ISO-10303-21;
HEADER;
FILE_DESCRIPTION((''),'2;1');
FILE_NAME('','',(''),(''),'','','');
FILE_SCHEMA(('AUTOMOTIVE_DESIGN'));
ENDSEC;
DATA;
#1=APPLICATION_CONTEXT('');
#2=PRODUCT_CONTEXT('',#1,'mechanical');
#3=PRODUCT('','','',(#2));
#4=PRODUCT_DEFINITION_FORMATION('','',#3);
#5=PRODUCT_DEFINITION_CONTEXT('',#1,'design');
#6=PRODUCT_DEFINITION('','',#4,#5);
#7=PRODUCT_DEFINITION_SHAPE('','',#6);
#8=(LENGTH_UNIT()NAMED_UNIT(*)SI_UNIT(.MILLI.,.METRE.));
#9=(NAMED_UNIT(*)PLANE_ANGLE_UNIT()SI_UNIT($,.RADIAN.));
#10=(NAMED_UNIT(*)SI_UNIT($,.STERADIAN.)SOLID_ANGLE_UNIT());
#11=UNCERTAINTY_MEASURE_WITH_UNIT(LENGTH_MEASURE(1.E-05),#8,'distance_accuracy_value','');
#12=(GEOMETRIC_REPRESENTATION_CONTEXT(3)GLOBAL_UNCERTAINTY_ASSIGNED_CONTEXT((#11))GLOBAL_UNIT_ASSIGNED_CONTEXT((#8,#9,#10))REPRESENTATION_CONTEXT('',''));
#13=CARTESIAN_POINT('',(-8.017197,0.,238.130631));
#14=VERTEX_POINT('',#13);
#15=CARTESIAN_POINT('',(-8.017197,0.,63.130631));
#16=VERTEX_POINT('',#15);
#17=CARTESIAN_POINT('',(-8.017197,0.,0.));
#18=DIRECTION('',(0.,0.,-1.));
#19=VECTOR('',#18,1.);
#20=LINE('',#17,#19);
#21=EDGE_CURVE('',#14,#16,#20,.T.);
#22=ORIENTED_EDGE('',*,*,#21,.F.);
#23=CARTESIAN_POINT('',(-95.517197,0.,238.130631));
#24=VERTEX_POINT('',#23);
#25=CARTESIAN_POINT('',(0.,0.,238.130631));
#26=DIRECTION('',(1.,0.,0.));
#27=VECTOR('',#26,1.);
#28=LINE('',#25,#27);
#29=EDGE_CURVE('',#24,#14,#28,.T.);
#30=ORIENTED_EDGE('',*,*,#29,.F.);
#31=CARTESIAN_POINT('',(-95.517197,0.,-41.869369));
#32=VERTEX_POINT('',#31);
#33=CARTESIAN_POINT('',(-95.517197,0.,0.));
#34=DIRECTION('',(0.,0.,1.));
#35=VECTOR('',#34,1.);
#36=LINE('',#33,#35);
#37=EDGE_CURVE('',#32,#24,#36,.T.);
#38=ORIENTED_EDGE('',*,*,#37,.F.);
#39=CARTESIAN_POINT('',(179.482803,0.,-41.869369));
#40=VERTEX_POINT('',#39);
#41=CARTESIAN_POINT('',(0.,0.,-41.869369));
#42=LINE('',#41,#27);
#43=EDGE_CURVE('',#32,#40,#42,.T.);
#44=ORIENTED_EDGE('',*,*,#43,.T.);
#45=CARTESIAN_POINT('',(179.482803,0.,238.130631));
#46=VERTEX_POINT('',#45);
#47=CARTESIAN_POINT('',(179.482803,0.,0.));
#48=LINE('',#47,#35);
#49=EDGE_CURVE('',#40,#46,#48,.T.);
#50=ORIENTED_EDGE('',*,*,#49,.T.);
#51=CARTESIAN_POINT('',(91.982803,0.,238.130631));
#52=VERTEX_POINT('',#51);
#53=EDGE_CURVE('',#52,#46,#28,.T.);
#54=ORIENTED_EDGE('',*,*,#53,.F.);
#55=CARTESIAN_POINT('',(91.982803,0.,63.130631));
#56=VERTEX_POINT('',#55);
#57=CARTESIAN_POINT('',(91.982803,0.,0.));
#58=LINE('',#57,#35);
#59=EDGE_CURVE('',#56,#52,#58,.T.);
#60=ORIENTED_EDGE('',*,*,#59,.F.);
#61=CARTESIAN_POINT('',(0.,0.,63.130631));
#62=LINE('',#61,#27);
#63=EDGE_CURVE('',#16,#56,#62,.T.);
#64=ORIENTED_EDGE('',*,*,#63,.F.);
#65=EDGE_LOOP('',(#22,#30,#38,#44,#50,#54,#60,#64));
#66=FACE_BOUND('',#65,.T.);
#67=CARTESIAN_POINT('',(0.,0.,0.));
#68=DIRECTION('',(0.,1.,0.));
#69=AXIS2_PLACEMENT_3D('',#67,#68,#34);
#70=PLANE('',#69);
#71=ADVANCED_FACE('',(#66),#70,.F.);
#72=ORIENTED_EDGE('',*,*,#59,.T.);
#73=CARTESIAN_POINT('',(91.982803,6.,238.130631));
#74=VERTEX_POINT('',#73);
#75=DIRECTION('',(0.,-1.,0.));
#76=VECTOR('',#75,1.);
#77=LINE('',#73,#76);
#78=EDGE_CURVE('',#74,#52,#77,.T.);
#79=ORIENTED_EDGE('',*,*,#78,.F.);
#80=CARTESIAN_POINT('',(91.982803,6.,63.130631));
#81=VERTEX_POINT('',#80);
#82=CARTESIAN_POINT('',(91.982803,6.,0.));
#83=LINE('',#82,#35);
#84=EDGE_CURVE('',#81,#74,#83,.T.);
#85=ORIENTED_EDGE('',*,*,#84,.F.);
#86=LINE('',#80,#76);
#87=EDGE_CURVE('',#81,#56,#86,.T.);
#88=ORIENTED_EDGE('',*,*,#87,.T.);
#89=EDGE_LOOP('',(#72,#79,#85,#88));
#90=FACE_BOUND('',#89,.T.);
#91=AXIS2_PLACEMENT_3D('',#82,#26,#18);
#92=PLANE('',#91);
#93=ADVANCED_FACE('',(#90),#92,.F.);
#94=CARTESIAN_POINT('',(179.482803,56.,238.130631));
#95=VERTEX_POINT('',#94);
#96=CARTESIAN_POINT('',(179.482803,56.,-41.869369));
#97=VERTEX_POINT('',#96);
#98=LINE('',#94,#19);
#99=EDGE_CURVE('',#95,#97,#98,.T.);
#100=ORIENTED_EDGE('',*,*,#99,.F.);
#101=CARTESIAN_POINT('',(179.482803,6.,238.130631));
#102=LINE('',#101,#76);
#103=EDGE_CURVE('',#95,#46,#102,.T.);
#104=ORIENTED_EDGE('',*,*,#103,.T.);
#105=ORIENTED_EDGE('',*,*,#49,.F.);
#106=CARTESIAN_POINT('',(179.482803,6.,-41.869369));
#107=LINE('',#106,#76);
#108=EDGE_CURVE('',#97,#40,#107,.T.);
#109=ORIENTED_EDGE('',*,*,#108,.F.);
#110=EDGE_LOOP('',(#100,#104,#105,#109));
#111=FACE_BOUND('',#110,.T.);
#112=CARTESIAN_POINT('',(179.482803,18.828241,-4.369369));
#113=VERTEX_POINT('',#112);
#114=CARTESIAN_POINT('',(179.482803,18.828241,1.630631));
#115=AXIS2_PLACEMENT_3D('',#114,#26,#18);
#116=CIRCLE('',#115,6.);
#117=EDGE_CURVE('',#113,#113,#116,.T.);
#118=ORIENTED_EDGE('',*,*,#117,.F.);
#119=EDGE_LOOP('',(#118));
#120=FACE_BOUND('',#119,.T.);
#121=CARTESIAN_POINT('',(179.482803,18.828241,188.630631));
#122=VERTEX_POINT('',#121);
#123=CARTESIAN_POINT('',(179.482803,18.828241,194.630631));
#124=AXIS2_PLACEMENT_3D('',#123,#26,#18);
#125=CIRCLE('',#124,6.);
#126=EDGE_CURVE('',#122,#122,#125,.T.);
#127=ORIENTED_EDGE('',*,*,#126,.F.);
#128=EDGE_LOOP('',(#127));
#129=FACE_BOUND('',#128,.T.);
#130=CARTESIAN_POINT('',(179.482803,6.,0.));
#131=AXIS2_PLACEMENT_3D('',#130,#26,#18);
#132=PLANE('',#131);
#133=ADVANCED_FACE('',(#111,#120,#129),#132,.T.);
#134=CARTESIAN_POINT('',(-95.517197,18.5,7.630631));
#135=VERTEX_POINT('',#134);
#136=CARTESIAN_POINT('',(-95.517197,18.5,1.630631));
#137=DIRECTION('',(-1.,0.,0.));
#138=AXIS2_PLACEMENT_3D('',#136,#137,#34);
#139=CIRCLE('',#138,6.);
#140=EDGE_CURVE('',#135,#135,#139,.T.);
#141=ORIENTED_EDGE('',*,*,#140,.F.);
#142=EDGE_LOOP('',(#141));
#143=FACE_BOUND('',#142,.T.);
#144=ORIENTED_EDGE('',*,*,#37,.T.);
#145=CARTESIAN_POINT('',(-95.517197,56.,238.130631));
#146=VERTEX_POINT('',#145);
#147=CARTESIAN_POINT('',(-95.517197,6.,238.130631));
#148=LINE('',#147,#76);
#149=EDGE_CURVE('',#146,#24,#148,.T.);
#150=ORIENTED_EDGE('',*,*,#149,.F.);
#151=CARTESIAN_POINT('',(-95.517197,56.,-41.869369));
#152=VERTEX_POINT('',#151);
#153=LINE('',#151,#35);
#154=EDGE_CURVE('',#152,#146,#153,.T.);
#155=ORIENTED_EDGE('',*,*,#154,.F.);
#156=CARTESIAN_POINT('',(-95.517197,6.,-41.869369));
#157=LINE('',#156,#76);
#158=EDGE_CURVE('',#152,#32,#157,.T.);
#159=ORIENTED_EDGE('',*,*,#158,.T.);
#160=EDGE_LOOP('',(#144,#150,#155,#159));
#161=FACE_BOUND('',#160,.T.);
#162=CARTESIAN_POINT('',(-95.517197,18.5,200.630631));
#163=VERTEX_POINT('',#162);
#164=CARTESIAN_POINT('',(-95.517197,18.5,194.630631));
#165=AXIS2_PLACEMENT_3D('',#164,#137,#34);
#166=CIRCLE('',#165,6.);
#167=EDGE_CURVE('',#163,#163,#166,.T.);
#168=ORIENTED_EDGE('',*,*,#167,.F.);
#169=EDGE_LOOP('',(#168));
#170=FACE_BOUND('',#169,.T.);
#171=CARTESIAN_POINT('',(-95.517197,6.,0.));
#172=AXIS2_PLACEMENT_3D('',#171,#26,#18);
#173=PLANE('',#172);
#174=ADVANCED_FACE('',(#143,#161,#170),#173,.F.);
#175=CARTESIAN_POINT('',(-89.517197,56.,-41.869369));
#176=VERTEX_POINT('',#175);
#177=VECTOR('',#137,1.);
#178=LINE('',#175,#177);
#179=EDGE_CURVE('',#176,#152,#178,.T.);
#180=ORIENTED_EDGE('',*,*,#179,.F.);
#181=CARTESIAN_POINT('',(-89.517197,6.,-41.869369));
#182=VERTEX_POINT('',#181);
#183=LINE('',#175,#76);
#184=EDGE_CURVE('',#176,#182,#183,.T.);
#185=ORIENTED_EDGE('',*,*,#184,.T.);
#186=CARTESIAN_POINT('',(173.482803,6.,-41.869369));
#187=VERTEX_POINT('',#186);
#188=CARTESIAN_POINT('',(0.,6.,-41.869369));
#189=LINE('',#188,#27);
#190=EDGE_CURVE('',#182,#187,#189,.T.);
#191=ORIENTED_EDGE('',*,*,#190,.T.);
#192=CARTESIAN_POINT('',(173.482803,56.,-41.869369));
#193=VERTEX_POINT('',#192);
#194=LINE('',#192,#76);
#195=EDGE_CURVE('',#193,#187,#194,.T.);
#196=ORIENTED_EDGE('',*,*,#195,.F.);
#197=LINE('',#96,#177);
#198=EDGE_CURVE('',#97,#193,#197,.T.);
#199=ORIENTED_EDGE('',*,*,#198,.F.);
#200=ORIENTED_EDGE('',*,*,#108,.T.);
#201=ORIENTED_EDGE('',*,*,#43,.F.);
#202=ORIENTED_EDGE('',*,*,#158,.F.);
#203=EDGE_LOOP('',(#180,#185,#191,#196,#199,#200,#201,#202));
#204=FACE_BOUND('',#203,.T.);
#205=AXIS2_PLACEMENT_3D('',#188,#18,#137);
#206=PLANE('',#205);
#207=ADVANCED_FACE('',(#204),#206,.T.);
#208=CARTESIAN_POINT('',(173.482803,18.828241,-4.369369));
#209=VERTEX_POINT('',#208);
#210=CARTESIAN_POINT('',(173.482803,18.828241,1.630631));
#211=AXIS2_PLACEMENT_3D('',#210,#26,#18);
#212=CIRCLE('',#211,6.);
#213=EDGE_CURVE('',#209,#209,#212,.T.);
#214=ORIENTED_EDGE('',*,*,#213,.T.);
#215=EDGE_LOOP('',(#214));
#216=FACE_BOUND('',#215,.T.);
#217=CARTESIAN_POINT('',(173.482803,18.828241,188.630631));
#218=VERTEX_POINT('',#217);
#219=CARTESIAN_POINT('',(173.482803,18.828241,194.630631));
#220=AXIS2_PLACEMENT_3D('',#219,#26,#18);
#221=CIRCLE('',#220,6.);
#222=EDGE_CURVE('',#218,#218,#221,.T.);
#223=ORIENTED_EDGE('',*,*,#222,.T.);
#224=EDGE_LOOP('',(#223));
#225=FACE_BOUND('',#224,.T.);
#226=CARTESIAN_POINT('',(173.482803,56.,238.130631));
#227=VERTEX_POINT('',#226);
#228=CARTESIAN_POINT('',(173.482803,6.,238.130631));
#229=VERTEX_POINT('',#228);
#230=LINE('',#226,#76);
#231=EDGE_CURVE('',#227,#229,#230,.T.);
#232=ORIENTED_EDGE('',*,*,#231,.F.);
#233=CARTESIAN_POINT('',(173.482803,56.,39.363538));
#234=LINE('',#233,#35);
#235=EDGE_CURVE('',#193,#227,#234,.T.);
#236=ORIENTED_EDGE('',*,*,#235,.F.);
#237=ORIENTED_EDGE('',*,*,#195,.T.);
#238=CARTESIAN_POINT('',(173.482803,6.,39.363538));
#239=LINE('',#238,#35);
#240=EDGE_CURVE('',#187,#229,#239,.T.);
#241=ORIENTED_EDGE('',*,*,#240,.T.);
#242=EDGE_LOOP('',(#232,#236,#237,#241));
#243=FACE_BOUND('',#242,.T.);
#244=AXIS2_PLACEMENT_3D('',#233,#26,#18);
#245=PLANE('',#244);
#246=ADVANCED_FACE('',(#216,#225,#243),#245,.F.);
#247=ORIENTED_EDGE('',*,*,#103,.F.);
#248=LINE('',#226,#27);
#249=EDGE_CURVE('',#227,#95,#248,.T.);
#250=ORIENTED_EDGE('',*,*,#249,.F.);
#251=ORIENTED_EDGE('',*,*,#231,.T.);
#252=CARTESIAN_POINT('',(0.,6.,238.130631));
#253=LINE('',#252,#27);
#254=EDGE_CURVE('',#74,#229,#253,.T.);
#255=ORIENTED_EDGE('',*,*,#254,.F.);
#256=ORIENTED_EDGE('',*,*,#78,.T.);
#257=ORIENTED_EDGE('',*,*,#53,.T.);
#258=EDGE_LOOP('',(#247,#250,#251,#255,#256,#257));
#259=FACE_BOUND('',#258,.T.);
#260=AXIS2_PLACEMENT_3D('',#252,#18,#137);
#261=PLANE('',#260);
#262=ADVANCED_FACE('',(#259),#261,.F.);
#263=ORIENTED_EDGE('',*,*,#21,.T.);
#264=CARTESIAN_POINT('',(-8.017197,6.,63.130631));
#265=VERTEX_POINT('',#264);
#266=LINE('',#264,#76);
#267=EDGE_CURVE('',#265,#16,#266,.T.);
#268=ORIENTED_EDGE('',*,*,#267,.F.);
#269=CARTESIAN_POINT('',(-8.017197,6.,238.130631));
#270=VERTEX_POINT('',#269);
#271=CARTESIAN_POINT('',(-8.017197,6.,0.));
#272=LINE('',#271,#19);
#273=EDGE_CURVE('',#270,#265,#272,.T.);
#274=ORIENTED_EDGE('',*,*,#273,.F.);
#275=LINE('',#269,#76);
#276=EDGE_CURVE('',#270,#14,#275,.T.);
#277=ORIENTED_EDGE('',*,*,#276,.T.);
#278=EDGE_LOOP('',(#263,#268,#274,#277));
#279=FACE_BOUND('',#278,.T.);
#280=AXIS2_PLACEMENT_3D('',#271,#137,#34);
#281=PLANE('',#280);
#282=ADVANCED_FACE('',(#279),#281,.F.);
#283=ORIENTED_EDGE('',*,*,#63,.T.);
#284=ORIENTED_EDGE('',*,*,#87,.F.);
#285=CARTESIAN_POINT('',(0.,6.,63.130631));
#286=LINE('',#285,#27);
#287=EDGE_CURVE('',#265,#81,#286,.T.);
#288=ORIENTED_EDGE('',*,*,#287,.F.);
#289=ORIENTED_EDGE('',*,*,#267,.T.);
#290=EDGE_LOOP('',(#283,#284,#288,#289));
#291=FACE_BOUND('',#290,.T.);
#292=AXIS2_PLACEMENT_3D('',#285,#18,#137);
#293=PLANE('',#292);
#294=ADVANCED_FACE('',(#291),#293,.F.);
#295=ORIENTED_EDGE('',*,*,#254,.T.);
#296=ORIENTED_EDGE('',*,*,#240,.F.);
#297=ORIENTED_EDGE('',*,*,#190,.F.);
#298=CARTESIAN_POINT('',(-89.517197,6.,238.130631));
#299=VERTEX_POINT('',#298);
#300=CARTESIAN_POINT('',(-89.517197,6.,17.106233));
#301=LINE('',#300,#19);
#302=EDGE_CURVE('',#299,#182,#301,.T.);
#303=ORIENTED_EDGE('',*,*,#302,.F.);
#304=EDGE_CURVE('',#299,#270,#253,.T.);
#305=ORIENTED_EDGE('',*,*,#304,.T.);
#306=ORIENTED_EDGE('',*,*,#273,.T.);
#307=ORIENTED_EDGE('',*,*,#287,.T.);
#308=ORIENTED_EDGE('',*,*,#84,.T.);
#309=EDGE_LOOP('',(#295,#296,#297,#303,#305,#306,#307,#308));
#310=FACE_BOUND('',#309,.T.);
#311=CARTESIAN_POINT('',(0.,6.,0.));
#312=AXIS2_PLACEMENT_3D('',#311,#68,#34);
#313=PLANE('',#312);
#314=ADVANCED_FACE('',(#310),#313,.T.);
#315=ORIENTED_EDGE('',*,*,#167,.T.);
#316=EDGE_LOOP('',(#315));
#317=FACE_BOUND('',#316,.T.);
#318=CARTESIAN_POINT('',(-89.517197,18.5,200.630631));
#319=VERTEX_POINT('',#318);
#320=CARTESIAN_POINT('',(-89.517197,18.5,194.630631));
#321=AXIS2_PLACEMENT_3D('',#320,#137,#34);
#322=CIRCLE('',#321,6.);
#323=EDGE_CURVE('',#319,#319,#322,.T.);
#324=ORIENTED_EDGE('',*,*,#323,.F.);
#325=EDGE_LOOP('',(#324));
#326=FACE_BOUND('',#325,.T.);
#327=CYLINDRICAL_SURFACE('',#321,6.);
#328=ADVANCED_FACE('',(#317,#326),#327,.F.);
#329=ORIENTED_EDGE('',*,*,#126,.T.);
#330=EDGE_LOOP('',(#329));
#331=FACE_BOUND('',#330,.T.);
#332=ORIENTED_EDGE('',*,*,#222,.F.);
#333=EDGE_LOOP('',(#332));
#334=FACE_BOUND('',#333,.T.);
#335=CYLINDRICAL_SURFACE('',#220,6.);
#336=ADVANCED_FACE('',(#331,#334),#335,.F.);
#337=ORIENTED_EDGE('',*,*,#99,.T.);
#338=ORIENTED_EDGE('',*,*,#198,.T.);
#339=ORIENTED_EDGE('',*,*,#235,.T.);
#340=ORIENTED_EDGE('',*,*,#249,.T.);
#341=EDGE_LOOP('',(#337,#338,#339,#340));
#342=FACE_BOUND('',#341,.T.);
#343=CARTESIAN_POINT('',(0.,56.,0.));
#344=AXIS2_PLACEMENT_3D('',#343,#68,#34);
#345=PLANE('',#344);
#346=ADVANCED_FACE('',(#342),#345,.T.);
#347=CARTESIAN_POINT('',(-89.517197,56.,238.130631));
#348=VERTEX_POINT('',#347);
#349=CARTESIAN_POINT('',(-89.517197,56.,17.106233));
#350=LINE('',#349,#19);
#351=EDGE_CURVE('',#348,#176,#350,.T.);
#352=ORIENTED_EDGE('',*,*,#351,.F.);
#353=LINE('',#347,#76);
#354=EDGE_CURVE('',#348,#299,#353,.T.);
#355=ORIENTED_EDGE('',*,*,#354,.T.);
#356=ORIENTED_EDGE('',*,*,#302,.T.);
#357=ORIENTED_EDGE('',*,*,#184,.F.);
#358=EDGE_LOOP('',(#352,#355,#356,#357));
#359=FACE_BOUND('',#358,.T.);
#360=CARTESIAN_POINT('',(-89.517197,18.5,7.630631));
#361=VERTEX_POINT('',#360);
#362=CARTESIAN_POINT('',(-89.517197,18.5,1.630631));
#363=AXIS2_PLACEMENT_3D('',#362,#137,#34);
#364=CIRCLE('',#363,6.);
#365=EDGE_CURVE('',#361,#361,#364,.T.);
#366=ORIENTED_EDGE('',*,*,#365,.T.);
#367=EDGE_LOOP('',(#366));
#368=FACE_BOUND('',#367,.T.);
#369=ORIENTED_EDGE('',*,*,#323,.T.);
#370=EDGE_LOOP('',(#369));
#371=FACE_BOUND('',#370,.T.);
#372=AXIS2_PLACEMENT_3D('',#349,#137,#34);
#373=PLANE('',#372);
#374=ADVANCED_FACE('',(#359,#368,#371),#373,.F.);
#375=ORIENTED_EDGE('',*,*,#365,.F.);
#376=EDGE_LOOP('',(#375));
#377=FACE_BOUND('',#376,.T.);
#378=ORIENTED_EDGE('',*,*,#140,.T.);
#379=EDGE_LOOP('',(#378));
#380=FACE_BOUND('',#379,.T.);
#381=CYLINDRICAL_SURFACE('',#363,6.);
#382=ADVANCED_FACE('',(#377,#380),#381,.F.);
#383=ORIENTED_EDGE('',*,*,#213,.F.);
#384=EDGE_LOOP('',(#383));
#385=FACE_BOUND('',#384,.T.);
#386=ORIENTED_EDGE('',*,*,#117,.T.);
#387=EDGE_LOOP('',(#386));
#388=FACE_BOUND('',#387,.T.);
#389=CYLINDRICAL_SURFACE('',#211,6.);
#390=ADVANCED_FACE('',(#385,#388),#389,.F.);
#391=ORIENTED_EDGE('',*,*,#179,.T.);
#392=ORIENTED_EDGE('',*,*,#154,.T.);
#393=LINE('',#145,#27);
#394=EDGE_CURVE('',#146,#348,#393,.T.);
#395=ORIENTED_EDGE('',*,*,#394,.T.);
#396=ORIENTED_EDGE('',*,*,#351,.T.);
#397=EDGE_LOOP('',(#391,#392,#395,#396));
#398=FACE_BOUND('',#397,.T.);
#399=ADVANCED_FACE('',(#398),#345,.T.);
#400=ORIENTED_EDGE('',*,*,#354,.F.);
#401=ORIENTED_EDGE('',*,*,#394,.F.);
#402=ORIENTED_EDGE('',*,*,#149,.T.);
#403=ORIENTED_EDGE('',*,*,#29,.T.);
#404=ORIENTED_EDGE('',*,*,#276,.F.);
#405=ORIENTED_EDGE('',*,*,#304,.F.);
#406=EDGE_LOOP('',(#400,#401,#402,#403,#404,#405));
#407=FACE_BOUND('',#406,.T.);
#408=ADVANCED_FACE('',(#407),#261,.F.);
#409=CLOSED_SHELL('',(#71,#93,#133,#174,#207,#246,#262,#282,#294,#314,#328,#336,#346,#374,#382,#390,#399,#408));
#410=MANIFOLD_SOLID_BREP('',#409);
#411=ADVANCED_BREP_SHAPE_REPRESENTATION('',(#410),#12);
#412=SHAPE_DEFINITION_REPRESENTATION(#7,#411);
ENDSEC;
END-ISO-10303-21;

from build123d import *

# Parameters (mm, degrees)
BOSS_EXTRUDE3_DEPTH = 6
BOSS_EXTRUDE5_DEPTH = 50
BOSS_EXTRUDE6_DEPTH = 50
SKETCH4_R           = 6
CUT_EXTRUDE1_DEPTH  = 6
SKETCH5_R           = 6
CUT_EXTRUDE2_DEPTH  = 6


with BuildPart() as part:
    # Sketch1 → Boss-Extrude3 (new body)
    with BuildSketch(Plane(origin=(0, 0, 0), x_dir=(1, 0, 0), z_dir=(0, 1, 0))):
        Polygon((-8.017197152, -238.130630631), (-8.017197152, -204.926643474), (-8.017197152, -63.130630631), (91.982802848, -63.130630631), (91.982802848, -238.130630631), (179.482802848, -238.130630631), (179.482802848, 41.869369369), (-95.517197152, 41.869369369), (-95.517197152, -238.130630631), align=None)
    extrude(amount=BOSS_EXTRUDE3_DEPTH)

    # Sketch2 → Boss-Extrude5 (add)
    with BuildSketch(Plane(origin=(0, 6, 0), x_dir=(1, 0, 0), z_dir=(0, 1, 0))):
        Polygon((-89.517197152, -17.106233318), (-89.517197152, -238.130630631), (-95.517197152, -238.130630631), (-95.517197152, 41.869369369), (-89.517197152, 41.869369369), align=None)
    extrude(amount=BOSS_EXTRUDE5_DEPTH)

    # Sketch3 → Boss-Extrude6 (add)
    with BuildSketch(Plane(origin=(0, 6, 0), x_dir=(1, 0, 0), z_dir=(0, 1, 0))):
        Polygon((173.482802848, -39.36353764), (173.482802848, -238.130630631), (179.482802848, -238.130630631), (179.482802848, 41.869369369), (173.482802848, 41.869369369), align=None)
    extrude(amount=BOSS_EXTRUDE6_DEPTH)

    # Sketch4 → Cut-Extrude1 (cut)
    with BuildSketch(Plane(origin=(179.482802848, 0, 0), x_dir=(0, 0, -1), z_dir=(1, 0, 0))):
        with Locations((-194.630630631, 18.828241407)):
            Circle(SKETCH4_R)
        with Locations((-1.630630631, 18.828241407)):
            Circle(SKETCH4_R)
    extrude(amount=-CUT_EXTRUDE1_DEPTH, mode=Mode.SUBTRACT)

    # Sketch5 → Cut-Extrude2 (cut)
    with BuildSketch(Plane.ZY.offset(95.517197152)):
        with Locations((1.630630631, 18.5)):
            Circle(SKETCH5_R)
        with Locations((194.630630631, 18.5)):
            Circle(SKETCH5_R)
    extrude(amount=-CUT_EXTRUDE2_DEPTH, mode=Mode.SUBTRACT)


solid = part.part
